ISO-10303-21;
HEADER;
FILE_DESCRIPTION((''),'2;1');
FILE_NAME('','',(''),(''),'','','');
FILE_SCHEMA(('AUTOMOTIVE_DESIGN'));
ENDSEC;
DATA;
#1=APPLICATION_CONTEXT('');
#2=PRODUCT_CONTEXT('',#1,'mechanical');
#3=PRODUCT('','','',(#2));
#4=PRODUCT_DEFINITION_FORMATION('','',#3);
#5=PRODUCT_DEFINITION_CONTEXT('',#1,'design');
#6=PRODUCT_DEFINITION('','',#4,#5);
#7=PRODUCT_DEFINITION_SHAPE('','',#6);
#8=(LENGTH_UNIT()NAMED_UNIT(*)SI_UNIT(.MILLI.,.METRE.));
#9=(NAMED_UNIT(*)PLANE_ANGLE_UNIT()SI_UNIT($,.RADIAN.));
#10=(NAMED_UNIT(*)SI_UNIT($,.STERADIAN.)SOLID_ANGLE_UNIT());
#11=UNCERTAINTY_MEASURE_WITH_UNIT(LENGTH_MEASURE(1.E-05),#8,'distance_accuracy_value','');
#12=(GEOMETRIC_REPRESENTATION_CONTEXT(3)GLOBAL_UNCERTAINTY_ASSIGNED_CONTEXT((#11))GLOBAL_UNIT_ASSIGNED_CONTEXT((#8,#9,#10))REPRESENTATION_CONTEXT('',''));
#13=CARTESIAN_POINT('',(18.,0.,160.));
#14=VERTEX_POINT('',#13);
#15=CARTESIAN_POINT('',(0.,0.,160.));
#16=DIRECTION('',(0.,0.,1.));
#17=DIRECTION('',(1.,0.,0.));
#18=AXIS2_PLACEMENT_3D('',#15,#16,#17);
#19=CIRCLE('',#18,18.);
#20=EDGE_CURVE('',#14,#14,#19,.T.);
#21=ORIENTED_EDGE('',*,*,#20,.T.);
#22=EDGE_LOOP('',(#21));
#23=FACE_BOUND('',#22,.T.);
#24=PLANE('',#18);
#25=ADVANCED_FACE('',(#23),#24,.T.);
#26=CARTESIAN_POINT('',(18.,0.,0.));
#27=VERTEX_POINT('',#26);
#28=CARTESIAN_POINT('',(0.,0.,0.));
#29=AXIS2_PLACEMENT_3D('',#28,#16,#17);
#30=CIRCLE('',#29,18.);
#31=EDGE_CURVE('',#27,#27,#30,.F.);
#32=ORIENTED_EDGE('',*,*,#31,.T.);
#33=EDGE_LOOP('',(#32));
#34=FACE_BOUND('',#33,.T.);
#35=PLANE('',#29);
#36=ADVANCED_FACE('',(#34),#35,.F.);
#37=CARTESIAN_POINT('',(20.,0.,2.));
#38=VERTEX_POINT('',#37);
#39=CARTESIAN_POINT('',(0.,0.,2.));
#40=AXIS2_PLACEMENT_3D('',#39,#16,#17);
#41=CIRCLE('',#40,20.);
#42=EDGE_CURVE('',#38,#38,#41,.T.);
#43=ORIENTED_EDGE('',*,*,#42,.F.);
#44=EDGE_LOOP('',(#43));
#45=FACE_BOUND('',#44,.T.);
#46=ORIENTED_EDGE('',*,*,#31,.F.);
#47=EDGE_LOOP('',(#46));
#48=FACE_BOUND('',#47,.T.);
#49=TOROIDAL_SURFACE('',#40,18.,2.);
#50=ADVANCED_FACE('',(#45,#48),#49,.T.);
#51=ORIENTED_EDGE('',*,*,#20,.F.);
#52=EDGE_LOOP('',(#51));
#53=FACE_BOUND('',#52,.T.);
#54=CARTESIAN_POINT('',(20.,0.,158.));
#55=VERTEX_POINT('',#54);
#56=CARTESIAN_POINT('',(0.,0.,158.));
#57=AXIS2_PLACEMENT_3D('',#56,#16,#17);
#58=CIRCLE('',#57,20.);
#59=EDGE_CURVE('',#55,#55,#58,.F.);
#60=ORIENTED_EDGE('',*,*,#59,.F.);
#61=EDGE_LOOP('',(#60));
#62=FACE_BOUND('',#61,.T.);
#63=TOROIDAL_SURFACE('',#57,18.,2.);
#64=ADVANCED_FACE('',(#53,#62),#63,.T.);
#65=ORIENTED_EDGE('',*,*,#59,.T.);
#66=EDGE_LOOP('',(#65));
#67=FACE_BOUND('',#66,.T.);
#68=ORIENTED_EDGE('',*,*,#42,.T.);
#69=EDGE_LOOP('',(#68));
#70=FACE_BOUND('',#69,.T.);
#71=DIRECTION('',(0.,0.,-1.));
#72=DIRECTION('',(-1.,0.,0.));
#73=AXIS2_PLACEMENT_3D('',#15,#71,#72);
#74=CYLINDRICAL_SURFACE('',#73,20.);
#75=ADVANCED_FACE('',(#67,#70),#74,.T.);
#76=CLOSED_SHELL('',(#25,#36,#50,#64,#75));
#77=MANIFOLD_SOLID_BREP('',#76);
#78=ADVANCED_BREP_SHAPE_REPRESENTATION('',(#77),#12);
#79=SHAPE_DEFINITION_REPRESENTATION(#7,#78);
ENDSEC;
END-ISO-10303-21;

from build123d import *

# Parameters (mm, degrees)
SKETCH1_R           = 20
BOSS_EXTRUDE1_DEPTH = 160
FILLET1_R           = 2


with BuildPart() as part:
    # Sketch1 → Boss-Extrude1 (new body)
    with BuildSketch(Plane.XY):
        Circle(SKETCH1_R)
    extrude(amount=BOSS_EXTRUDE1_DEPTH)

    # Fillet1
    fillet1_edges = [part.edges().sort_by_distance(p)[0] for p in [
        (-20, 0, 0),
        (-20, 0, 160),
    ]]
    fillet(fillet1_edges, radius=FILLET1_R)


solid = part.part
